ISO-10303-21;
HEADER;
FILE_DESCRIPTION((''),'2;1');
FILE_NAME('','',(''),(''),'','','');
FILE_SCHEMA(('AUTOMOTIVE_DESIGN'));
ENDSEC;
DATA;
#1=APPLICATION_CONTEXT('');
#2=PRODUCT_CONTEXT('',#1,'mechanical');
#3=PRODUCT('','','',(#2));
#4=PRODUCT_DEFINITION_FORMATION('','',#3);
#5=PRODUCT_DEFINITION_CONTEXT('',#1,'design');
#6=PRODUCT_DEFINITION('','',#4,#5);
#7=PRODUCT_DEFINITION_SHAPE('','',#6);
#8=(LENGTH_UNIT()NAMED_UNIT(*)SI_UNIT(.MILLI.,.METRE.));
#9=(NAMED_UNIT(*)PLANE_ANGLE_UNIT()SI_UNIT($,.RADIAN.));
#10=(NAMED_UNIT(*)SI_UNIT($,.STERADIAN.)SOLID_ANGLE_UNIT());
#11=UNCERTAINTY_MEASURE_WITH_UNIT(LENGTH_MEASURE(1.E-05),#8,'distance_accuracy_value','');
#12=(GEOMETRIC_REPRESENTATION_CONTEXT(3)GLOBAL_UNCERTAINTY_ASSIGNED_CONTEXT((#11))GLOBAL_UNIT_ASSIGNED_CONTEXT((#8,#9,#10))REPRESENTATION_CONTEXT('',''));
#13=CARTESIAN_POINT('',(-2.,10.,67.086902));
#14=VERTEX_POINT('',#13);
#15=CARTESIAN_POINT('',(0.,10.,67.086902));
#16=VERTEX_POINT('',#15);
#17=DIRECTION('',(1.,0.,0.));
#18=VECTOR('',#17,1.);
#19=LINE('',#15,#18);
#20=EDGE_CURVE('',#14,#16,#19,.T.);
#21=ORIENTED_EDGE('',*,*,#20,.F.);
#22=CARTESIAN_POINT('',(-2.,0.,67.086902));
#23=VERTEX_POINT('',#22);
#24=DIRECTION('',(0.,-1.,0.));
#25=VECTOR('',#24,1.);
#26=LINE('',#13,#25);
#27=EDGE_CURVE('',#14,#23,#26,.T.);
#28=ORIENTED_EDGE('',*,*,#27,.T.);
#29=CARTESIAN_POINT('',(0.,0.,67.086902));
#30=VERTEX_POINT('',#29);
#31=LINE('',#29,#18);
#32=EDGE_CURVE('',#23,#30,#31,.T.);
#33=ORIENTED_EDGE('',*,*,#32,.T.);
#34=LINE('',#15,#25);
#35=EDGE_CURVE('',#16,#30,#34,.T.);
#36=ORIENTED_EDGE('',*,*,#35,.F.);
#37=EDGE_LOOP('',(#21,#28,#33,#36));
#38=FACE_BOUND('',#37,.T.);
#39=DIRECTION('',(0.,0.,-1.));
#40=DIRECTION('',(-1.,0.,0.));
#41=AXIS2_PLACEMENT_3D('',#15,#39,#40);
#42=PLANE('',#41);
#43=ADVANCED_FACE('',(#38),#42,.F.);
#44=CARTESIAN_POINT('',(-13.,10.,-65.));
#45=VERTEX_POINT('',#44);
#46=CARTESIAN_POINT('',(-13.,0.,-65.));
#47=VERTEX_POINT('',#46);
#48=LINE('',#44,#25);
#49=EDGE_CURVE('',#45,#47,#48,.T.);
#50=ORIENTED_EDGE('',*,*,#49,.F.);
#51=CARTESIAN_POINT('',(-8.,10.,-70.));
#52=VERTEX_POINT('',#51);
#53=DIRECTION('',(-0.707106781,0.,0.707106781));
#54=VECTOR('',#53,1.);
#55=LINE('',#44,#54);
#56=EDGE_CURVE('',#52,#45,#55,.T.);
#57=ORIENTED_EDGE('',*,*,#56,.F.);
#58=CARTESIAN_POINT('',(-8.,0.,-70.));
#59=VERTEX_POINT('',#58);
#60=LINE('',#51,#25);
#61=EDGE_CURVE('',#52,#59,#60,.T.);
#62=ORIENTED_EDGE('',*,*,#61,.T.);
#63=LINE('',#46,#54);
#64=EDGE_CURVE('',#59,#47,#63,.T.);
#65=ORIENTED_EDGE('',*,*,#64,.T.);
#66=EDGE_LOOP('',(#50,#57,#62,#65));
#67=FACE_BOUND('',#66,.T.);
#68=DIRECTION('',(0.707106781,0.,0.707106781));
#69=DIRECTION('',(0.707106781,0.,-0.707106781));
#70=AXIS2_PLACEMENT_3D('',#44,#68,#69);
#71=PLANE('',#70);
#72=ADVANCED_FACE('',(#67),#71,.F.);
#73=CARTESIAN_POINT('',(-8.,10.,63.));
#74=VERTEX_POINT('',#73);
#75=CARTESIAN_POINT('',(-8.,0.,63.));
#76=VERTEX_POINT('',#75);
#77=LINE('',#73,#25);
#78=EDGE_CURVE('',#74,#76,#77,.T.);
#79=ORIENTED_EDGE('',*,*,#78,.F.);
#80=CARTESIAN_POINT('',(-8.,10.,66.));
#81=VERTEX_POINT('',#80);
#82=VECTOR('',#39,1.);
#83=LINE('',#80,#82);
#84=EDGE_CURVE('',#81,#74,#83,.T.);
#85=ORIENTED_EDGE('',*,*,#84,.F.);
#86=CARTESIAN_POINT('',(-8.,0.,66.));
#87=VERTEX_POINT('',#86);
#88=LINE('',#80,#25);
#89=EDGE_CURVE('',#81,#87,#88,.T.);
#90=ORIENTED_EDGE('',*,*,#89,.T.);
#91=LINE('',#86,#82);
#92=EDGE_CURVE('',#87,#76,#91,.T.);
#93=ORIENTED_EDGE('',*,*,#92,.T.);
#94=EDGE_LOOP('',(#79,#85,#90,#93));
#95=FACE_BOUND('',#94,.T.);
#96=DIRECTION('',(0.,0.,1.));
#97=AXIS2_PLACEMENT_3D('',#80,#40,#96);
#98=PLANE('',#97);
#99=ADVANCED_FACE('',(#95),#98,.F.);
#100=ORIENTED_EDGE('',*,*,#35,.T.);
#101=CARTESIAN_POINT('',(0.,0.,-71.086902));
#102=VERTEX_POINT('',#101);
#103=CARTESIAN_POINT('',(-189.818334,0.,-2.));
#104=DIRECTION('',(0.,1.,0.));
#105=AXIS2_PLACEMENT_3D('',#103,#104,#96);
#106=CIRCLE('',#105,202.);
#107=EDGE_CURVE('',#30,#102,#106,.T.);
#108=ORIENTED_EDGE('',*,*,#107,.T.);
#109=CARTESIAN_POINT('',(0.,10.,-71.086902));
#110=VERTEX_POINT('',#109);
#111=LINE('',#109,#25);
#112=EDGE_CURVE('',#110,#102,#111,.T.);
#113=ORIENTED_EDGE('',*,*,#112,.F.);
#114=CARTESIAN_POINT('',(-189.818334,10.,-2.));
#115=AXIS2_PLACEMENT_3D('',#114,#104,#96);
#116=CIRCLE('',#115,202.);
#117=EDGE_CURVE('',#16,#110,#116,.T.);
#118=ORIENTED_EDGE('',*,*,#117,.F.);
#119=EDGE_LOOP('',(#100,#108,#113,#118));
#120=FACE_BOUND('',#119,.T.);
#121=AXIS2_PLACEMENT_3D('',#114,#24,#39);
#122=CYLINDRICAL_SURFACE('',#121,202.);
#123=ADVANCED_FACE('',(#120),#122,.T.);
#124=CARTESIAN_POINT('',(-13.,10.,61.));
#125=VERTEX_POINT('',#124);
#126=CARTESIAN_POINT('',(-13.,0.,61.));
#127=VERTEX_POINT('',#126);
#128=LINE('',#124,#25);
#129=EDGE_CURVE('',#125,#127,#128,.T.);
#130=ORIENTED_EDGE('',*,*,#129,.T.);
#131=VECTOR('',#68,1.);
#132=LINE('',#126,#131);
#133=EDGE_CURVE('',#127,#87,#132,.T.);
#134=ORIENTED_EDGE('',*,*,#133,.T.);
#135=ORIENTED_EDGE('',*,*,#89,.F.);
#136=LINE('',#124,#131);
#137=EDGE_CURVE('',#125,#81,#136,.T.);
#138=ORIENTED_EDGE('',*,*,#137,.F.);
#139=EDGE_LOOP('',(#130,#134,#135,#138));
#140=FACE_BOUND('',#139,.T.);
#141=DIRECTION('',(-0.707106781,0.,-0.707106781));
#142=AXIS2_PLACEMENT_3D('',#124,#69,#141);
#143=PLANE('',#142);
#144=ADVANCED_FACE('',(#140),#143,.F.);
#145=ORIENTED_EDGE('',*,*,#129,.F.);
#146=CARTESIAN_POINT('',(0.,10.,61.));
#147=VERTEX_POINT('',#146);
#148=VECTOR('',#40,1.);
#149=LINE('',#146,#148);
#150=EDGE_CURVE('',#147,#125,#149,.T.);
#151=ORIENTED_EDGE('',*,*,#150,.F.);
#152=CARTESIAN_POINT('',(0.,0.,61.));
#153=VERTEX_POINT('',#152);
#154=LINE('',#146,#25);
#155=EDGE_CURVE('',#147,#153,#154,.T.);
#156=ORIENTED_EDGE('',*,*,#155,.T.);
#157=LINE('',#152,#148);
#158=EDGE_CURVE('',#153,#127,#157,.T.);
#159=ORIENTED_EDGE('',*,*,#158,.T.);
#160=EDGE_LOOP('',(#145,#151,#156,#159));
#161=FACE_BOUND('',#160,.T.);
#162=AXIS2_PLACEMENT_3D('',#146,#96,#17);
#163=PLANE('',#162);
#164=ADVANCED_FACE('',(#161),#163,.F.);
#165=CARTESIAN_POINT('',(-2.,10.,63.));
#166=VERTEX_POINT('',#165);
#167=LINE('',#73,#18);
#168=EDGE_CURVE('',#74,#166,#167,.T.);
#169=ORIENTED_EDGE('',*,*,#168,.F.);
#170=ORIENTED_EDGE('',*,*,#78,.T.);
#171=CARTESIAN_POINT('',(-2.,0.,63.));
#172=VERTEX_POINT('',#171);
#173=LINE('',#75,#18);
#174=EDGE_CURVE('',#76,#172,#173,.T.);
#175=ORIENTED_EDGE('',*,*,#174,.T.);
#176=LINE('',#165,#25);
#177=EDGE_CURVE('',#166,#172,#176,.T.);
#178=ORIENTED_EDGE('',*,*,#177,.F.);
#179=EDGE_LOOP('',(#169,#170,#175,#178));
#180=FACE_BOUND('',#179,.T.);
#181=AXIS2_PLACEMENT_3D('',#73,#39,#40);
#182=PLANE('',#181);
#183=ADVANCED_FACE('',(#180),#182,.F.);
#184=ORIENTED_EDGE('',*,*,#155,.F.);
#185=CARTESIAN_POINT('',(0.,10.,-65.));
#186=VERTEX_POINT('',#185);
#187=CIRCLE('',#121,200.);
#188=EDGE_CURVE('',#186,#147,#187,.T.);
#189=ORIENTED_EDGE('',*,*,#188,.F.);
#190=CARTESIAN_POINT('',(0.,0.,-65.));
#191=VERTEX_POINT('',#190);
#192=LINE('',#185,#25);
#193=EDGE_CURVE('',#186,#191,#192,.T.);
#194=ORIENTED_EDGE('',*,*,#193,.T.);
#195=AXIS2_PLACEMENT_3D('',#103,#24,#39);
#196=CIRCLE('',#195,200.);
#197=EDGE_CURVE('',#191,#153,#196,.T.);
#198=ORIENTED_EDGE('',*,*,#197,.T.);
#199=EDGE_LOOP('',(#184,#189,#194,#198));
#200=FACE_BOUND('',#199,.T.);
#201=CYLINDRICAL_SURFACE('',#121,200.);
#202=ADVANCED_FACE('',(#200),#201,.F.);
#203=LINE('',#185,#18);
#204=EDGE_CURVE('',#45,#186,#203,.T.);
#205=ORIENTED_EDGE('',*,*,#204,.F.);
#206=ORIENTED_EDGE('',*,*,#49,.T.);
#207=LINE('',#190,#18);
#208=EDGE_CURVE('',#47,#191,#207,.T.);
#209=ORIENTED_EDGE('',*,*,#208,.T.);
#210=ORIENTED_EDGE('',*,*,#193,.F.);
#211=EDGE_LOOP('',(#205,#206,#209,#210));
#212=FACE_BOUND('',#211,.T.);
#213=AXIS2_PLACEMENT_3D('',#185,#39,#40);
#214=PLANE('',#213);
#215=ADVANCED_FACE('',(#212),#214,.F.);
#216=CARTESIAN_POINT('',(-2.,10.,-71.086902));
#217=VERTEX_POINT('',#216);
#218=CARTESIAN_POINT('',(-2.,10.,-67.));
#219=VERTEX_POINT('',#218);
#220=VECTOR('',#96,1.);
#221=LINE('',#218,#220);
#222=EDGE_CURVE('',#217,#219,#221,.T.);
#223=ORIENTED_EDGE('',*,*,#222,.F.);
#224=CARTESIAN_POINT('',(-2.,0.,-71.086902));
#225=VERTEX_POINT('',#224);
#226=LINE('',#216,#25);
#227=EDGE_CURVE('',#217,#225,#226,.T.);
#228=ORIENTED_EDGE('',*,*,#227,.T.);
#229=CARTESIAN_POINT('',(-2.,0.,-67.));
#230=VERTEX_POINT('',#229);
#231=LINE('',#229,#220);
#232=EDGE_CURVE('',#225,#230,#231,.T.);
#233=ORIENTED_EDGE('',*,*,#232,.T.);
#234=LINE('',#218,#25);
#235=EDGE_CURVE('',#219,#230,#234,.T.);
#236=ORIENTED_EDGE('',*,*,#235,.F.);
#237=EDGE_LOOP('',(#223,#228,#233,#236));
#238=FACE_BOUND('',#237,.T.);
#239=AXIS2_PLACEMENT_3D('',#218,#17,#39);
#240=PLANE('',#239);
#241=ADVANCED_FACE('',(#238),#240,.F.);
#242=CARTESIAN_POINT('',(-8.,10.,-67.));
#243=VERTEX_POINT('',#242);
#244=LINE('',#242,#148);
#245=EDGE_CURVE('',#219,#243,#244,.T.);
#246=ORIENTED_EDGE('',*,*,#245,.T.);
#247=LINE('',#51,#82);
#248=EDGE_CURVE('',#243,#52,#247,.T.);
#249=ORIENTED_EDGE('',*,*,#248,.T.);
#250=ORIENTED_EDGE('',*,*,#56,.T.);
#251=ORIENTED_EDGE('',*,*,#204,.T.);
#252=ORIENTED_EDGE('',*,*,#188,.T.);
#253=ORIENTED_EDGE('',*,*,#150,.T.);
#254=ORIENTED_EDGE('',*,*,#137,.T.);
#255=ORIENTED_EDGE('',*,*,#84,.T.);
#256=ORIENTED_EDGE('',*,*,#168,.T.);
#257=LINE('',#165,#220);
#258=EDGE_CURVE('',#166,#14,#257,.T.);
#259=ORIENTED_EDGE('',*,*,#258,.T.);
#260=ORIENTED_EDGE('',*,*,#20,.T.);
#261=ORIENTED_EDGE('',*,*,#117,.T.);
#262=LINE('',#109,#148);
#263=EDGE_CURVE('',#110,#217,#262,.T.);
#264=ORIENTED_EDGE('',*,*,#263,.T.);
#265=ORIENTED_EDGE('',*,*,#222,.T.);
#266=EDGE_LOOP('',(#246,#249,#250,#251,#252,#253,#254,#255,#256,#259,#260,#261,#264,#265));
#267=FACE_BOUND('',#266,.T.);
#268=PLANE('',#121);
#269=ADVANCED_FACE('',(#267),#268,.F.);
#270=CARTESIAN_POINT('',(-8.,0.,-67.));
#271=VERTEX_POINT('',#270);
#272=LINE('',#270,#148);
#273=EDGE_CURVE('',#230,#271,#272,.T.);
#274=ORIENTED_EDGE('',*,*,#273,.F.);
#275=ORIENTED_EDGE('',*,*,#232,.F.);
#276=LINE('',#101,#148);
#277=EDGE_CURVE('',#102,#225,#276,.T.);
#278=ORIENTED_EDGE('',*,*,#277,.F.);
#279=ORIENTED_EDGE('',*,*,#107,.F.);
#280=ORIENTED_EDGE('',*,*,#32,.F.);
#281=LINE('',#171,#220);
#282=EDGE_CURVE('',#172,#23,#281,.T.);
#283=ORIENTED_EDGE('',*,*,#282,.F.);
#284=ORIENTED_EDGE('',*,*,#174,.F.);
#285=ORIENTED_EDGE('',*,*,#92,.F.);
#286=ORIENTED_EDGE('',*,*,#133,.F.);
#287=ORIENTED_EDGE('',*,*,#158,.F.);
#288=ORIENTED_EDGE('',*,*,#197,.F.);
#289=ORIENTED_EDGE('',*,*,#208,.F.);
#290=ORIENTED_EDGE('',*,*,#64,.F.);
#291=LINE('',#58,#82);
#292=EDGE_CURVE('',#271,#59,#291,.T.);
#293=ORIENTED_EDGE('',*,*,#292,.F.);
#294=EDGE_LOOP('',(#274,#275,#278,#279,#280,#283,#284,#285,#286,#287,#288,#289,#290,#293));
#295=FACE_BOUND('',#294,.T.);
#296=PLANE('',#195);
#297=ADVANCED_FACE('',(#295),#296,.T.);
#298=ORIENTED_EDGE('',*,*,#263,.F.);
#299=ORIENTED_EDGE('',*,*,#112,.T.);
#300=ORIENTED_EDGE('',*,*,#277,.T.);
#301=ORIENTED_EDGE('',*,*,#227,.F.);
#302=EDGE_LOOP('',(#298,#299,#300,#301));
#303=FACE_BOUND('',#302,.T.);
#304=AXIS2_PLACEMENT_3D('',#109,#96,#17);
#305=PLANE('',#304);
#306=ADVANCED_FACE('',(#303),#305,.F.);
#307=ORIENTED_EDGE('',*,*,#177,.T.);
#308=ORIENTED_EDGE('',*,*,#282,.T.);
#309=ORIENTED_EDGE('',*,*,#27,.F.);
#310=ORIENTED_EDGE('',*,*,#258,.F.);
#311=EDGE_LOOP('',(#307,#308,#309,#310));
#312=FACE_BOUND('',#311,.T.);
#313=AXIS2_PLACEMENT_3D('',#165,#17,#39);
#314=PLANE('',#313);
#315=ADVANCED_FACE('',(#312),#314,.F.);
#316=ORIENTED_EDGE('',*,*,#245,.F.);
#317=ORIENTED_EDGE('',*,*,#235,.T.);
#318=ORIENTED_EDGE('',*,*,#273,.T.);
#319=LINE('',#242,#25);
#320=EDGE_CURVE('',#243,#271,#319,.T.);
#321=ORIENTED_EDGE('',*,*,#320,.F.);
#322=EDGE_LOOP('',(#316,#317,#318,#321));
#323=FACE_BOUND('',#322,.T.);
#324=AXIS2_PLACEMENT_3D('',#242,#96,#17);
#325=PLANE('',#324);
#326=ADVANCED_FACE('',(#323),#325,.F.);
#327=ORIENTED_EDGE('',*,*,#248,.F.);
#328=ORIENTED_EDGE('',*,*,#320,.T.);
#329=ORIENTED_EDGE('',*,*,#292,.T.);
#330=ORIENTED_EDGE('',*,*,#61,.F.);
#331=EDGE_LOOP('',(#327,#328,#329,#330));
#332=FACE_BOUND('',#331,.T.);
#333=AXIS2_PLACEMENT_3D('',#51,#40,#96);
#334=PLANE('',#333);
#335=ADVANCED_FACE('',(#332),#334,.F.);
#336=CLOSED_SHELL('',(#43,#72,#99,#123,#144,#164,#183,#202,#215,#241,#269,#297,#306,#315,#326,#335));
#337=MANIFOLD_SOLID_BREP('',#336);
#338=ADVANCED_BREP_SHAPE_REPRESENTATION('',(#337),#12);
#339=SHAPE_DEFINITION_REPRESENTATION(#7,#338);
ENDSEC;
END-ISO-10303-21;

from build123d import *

# Parameters (mm, degrees)
BOSS_EXTRU_1_DEPTH = 10


with BuildPart() as part:
    # Esquisse1 → Boss.-Extru.1 (new body)
    with BuildSketch(Plane(origin=(0, 0, 0), x_dir=(1, 0, 0), z_dir=(0, 1, 0))):
        with BuildLine():
            Line((0, -61), (-13, -61))
            Line((-13, -61), (-8, -66))
            Line((-8, -66), (-8, -63))
            Line((-8, -63), (-2, -63))
            Line((-2, -63), (-2, -67.086901798))
            Line((-2, -67.086901798), (0, -67.086901798))
            ThreePointArc((0, -67.086901798), (12.181665796, 2), (0, 71.086901798))
            Line((0, 71.086901798), (-2, 71.086901798))
            Line((-2, 71.086901798), (-2, 67))
            Line((-2, 67), (-8, 67))
            Line((-8, 67), (-8, 70))
            Line((-8, 70), (-13, 65))
            Line((-13, 65), (0, 65))
            ThreePointArc((0, 65), (10.181665796, 2), (0, -61))
        make_face()
    extrude(amount=BOSS_EXTRU_1_DEPTH)


solid = part.part
